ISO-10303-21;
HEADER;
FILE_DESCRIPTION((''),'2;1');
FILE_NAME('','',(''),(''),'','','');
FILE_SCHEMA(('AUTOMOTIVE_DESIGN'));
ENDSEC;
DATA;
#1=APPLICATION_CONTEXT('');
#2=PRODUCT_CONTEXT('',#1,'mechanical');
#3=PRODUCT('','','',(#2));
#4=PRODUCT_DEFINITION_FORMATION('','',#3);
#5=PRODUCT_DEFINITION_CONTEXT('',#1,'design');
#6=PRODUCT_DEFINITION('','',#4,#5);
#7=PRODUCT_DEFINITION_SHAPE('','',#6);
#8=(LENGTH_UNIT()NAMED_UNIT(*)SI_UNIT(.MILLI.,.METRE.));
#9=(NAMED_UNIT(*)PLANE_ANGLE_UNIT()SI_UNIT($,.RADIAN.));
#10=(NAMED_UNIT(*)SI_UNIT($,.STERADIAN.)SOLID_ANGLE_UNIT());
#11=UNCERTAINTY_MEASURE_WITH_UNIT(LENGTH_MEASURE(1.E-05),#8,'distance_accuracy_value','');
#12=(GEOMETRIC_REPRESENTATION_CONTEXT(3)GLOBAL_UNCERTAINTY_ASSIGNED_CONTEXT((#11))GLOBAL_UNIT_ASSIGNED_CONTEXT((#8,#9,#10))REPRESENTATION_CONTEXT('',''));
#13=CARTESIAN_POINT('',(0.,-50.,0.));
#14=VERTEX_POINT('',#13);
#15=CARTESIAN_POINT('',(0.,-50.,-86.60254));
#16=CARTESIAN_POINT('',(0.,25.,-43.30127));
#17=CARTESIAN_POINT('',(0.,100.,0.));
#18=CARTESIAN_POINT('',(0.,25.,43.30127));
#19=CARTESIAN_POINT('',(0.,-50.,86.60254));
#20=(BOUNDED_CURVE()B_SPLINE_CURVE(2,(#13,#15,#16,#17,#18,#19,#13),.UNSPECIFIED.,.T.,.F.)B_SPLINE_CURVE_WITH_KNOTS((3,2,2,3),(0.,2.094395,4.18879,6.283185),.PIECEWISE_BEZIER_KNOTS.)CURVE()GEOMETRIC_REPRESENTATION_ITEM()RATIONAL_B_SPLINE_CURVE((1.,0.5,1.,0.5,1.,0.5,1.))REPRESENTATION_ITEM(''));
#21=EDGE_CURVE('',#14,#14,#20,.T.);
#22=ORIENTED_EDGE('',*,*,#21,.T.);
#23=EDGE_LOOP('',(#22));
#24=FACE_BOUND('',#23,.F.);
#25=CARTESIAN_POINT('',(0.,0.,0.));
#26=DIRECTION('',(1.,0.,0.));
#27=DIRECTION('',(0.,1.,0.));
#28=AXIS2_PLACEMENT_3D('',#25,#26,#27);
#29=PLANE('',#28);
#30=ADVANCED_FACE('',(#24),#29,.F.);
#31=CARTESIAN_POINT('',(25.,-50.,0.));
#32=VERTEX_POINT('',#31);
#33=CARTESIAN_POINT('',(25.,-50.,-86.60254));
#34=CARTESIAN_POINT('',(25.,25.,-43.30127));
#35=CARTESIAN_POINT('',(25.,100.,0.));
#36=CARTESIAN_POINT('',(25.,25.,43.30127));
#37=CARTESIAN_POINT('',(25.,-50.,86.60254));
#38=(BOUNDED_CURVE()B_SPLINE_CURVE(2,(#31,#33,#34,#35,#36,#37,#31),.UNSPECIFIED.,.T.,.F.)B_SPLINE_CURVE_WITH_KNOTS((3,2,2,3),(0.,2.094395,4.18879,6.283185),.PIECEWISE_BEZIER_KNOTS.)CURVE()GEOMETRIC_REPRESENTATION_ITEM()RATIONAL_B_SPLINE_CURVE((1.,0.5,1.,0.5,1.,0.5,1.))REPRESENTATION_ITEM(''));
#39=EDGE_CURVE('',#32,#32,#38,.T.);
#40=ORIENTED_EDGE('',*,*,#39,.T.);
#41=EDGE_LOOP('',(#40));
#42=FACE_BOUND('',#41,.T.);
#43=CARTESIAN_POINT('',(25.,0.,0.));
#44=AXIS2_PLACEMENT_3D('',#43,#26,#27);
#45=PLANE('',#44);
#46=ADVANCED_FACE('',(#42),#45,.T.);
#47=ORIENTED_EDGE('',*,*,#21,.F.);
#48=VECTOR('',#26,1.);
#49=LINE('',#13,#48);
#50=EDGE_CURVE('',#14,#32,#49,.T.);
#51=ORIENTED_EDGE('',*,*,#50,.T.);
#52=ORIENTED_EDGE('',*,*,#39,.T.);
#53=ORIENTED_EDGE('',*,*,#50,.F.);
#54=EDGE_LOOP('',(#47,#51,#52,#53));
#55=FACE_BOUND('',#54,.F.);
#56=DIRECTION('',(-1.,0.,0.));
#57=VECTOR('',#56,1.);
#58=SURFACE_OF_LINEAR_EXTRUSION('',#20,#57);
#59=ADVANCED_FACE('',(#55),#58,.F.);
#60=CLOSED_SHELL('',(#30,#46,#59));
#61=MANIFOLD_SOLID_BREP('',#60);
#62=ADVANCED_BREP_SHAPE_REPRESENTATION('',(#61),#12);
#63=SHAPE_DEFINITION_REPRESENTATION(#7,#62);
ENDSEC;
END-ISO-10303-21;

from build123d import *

# Parameters (mm, degrees)
F1_DEPTH = 25


with BuildPart() as f1:
    # F0 (on Right) → F1 (new body)
    with BuildSketch(Plane.YZ):
        with BuildLine():
            add(Edge.make_bspline(
                [(-50, 0), (-50, -86.60254), (25, -43.30127), (100, 0), (25, 43.30127), (-50, 86.60254), (-50, 0)],
                knots=[0, 0, 0, 2.094395, 2.094395, 4.18879, 4.18879, 6.283185, 6.283185, 6.283185], degree=2, weights=[1, 0.5, 1, 0.5, 1, 0.5, 1]))
        make_face()
    extrude(amount=F1_DEPTH)


solid = f1.part
